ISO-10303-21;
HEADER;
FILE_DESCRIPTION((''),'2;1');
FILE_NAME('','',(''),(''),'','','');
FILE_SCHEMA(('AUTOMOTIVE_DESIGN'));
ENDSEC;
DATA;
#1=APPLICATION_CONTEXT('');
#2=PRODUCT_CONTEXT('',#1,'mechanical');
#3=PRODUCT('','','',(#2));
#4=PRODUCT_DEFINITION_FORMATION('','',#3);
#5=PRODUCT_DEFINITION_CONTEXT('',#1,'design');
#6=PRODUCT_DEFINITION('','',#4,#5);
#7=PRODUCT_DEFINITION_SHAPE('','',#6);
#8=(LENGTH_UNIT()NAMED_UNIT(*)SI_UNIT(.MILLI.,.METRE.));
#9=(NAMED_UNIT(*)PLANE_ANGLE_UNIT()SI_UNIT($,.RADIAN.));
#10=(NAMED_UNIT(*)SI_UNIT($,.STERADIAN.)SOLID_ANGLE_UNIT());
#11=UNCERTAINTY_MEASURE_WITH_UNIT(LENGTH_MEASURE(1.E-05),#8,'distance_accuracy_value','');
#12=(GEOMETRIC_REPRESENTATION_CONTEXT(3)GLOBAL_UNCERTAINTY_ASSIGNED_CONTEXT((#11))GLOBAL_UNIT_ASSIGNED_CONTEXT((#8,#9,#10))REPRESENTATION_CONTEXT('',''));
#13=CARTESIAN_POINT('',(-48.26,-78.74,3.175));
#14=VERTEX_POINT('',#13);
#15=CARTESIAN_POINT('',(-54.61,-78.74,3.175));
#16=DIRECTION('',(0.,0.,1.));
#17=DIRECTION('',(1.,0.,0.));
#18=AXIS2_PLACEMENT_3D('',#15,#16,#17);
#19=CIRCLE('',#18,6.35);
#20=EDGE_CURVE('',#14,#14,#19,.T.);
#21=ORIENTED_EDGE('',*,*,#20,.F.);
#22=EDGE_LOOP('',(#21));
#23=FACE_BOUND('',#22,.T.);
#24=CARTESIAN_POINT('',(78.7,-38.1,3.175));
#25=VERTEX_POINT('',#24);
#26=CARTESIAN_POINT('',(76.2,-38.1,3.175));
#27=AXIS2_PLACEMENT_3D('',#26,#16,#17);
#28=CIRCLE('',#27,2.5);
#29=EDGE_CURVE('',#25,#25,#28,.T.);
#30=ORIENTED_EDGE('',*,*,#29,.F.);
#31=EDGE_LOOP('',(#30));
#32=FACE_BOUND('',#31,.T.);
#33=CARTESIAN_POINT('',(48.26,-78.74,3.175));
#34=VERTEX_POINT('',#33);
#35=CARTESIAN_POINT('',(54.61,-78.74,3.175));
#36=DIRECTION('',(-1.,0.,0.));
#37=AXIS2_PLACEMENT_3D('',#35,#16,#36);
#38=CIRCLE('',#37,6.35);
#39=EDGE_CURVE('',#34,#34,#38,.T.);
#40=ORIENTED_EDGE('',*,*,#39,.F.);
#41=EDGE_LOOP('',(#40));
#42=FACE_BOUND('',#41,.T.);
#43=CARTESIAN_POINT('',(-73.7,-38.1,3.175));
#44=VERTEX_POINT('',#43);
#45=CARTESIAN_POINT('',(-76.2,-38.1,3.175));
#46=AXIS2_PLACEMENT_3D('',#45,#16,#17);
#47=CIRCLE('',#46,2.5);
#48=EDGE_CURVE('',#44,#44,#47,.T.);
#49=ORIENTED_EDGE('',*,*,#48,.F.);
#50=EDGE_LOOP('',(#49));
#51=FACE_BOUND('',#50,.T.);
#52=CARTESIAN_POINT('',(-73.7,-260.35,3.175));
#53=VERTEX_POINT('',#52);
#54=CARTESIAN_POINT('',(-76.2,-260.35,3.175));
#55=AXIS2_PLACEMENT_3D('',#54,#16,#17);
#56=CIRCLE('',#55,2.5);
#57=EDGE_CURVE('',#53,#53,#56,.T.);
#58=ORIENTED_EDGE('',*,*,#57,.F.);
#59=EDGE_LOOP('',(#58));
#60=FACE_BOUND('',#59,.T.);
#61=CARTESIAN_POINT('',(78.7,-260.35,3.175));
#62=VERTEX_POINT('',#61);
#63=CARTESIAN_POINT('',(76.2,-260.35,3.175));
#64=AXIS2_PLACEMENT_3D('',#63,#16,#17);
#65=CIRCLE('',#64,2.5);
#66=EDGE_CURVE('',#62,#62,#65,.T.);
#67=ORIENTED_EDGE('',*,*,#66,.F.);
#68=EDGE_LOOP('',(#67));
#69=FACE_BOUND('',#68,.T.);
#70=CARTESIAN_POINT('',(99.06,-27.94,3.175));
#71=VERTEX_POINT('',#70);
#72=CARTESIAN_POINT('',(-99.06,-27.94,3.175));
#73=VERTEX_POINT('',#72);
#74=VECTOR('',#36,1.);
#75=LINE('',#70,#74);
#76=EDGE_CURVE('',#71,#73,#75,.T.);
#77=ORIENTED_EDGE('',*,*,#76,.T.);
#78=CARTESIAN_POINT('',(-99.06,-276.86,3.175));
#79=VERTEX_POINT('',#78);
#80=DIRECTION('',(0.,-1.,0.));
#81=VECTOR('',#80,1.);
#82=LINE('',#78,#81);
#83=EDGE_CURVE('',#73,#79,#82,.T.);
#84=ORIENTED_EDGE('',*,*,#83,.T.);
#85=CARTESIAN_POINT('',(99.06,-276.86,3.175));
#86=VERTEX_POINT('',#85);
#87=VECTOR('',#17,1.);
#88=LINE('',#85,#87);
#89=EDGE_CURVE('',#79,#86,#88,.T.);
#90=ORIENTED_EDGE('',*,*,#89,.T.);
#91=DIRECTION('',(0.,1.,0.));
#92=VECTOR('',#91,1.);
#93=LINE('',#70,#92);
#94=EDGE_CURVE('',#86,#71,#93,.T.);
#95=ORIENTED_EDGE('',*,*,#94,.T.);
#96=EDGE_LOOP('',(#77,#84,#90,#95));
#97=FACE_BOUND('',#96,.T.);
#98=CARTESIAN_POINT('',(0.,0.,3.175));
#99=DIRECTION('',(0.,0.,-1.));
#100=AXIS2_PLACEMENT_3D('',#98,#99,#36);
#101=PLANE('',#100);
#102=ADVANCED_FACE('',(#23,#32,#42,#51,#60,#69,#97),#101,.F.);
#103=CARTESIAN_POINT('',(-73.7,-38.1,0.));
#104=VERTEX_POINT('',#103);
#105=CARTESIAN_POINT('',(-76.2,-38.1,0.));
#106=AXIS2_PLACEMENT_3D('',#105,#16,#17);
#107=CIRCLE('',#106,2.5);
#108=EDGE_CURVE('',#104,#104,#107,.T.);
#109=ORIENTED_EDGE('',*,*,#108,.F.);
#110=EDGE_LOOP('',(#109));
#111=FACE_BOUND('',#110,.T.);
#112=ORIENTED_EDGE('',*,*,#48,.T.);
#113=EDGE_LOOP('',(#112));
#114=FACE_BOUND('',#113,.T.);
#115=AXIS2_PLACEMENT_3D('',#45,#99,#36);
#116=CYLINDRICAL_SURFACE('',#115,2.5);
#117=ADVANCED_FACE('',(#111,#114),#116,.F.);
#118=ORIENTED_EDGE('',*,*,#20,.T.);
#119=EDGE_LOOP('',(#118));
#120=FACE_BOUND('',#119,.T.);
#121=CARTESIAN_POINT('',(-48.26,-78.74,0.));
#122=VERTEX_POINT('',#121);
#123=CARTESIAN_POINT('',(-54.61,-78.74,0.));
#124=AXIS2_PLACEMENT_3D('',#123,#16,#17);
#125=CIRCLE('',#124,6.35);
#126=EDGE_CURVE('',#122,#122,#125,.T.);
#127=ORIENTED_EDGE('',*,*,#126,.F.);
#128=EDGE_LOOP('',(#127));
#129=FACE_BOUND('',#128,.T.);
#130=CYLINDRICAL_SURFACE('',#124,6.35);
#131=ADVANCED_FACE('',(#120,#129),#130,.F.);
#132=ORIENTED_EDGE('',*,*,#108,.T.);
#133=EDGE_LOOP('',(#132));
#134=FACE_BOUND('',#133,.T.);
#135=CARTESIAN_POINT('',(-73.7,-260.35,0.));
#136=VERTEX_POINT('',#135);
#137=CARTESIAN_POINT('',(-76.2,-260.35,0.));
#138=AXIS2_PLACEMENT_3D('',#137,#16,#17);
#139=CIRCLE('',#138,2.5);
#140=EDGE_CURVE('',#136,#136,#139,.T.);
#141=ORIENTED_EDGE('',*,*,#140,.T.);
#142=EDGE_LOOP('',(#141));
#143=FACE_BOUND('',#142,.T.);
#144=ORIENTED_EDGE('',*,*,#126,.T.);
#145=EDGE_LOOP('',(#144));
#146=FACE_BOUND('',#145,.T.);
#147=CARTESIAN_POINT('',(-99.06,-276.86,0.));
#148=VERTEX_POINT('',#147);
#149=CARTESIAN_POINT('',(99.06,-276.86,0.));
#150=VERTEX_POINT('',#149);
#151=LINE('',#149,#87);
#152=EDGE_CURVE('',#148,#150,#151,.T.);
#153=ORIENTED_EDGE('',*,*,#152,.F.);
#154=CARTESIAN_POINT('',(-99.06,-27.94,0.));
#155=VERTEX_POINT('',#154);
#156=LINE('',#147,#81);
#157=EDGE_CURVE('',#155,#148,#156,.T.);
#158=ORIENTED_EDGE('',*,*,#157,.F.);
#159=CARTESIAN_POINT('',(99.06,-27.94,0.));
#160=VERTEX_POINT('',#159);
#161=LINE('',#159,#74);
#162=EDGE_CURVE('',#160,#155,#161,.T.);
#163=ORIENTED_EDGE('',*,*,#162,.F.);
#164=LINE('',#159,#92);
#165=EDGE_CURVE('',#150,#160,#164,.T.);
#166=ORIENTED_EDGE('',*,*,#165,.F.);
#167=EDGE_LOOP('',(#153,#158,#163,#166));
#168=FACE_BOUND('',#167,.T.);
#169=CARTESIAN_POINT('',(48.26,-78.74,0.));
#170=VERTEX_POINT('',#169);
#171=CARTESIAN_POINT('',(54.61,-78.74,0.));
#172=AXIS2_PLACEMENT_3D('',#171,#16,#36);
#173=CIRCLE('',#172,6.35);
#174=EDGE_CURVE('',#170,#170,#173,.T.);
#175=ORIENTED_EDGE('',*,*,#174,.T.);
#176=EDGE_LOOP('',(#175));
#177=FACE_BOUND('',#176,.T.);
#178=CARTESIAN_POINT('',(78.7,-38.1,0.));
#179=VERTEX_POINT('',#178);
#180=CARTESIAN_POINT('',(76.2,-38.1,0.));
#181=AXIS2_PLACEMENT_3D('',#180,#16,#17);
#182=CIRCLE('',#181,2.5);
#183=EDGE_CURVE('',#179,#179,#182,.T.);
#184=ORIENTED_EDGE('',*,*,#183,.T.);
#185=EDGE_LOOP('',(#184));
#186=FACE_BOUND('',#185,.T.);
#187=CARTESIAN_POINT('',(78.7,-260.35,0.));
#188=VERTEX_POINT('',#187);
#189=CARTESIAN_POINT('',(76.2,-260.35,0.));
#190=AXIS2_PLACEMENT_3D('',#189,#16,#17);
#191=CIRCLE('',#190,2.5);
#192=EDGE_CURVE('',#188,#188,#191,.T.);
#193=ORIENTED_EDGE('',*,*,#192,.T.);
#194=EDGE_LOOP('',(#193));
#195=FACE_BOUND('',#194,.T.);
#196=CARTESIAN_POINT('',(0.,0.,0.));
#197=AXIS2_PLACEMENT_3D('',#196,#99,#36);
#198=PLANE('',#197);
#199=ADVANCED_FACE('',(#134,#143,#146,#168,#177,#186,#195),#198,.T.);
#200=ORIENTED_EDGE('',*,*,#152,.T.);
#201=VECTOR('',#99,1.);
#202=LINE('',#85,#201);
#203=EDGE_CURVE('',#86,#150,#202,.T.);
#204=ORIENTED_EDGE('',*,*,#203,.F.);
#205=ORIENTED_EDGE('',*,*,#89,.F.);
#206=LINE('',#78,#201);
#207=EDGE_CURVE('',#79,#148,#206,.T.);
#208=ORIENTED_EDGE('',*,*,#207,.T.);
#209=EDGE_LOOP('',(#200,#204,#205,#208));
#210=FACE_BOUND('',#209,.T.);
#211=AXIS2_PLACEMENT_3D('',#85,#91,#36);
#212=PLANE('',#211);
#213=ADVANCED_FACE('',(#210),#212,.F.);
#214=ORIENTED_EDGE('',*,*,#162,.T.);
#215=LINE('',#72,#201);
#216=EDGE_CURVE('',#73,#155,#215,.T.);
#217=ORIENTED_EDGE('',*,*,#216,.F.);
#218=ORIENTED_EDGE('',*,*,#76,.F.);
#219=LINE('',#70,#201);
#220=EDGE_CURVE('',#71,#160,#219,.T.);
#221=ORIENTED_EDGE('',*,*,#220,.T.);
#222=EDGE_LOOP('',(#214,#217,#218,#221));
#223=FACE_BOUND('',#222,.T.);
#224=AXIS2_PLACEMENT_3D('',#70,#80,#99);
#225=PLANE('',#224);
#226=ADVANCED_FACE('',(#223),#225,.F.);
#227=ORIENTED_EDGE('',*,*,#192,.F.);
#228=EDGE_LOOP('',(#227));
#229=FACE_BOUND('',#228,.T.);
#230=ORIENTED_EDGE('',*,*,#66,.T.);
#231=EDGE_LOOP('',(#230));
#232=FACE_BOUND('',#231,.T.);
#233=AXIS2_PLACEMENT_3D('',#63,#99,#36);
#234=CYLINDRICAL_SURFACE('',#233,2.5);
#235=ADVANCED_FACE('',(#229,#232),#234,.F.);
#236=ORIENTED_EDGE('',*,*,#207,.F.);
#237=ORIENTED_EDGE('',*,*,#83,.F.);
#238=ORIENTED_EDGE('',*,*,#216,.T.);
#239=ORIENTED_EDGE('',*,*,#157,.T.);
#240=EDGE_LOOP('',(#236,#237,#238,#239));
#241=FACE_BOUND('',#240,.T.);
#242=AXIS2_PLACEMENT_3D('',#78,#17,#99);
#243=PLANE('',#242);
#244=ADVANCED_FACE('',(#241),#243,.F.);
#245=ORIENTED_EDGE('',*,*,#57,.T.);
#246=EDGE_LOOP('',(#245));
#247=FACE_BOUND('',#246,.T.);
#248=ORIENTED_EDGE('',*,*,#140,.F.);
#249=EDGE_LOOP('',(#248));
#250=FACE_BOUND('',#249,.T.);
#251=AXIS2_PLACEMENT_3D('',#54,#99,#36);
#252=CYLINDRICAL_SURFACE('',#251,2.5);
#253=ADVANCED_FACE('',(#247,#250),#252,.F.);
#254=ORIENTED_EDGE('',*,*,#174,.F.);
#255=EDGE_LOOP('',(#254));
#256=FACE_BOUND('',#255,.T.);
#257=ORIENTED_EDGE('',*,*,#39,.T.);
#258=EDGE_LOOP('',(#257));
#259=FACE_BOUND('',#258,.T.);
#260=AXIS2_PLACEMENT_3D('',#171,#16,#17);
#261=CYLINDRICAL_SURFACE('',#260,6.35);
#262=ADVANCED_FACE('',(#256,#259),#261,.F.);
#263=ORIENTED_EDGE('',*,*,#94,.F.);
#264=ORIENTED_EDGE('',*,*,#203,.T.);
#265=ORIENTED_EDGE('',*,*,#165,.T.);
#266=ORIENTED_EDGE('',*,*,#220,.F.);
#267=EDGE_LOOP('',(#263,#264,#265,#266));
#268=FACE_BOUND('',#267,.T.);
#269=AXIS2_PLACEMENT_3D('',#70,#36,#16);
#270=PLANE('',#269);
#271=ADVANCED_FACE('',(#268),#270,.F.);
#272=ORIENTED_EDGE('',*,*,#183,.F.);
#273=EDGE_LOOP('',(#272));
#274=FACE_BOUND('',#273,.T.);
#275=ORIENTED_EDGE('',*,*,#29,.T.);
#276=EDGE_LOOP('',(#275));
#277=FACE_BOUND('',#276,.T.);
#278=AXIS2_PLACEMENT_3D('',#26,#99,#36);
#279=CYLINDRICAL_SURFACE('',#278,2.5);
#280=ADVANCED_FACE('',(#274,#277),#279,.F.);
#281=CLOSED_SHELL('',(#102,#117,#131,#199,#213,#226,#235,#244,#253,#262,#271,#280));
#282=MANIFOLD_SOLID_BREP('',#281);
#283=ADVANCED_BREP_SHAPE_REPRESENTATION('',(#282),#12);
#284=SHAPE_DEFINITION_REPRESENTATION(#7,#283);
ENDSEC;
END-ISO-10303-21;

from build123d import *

# Parameters (mm, degrees)
SKETCH1_W           = 198.12
SKETCH1_H           = 248.92
SKETCH1_R           = 2.5
BOSS_EXTRUDE1_DEPTH = 3.175
SKETCH2_R           = 6.35
CUT_EXTRUDE1_DEPTH  = 4.175


with BuildPart() as part:
    # Sketch1 → Boss-Extrude1 (new body)
    with BuildSketch(Plane.XY):
        with Locations((0, -152.4)):
            Rectangle(SKETCH1_W, SKETCH1_H)
        with Locations((-76.2, -260.35)):
            Circle(SKETCH1_R, mode=Mode.SUBTRACT)
        with Locations((-76.2, -38.1)):
            Circle(SKETCH1_R, mode=Mode.SUBTRACT)
        with Locations((76.2, -38.1)):
            Circle(SKETCH1_R, mode=Mode.SUBTRACT)
        with Locations((76.2, -260.35)):
            Circle(SKETCH1_R, mode=Mode.SUBTRACT)
    extrude(amount=BOSS_EXTRUDE1_DEPTH)

    # Sketch2 → Cut-Extrude1 (cut, through all)
    with BuildSketch(Plane.XY.offset(3.175)):
        with Locations((-54.61, -78.74)):
            Circle(SKETCH2_R)
        with Locations((54.61, -78.74)):
            Circle(SKETCH2_R)
    extrude(amount=-CUT_EXTRUDE1_DEPTH, mode=Mode.SUBTRACT)


solid = part.part
